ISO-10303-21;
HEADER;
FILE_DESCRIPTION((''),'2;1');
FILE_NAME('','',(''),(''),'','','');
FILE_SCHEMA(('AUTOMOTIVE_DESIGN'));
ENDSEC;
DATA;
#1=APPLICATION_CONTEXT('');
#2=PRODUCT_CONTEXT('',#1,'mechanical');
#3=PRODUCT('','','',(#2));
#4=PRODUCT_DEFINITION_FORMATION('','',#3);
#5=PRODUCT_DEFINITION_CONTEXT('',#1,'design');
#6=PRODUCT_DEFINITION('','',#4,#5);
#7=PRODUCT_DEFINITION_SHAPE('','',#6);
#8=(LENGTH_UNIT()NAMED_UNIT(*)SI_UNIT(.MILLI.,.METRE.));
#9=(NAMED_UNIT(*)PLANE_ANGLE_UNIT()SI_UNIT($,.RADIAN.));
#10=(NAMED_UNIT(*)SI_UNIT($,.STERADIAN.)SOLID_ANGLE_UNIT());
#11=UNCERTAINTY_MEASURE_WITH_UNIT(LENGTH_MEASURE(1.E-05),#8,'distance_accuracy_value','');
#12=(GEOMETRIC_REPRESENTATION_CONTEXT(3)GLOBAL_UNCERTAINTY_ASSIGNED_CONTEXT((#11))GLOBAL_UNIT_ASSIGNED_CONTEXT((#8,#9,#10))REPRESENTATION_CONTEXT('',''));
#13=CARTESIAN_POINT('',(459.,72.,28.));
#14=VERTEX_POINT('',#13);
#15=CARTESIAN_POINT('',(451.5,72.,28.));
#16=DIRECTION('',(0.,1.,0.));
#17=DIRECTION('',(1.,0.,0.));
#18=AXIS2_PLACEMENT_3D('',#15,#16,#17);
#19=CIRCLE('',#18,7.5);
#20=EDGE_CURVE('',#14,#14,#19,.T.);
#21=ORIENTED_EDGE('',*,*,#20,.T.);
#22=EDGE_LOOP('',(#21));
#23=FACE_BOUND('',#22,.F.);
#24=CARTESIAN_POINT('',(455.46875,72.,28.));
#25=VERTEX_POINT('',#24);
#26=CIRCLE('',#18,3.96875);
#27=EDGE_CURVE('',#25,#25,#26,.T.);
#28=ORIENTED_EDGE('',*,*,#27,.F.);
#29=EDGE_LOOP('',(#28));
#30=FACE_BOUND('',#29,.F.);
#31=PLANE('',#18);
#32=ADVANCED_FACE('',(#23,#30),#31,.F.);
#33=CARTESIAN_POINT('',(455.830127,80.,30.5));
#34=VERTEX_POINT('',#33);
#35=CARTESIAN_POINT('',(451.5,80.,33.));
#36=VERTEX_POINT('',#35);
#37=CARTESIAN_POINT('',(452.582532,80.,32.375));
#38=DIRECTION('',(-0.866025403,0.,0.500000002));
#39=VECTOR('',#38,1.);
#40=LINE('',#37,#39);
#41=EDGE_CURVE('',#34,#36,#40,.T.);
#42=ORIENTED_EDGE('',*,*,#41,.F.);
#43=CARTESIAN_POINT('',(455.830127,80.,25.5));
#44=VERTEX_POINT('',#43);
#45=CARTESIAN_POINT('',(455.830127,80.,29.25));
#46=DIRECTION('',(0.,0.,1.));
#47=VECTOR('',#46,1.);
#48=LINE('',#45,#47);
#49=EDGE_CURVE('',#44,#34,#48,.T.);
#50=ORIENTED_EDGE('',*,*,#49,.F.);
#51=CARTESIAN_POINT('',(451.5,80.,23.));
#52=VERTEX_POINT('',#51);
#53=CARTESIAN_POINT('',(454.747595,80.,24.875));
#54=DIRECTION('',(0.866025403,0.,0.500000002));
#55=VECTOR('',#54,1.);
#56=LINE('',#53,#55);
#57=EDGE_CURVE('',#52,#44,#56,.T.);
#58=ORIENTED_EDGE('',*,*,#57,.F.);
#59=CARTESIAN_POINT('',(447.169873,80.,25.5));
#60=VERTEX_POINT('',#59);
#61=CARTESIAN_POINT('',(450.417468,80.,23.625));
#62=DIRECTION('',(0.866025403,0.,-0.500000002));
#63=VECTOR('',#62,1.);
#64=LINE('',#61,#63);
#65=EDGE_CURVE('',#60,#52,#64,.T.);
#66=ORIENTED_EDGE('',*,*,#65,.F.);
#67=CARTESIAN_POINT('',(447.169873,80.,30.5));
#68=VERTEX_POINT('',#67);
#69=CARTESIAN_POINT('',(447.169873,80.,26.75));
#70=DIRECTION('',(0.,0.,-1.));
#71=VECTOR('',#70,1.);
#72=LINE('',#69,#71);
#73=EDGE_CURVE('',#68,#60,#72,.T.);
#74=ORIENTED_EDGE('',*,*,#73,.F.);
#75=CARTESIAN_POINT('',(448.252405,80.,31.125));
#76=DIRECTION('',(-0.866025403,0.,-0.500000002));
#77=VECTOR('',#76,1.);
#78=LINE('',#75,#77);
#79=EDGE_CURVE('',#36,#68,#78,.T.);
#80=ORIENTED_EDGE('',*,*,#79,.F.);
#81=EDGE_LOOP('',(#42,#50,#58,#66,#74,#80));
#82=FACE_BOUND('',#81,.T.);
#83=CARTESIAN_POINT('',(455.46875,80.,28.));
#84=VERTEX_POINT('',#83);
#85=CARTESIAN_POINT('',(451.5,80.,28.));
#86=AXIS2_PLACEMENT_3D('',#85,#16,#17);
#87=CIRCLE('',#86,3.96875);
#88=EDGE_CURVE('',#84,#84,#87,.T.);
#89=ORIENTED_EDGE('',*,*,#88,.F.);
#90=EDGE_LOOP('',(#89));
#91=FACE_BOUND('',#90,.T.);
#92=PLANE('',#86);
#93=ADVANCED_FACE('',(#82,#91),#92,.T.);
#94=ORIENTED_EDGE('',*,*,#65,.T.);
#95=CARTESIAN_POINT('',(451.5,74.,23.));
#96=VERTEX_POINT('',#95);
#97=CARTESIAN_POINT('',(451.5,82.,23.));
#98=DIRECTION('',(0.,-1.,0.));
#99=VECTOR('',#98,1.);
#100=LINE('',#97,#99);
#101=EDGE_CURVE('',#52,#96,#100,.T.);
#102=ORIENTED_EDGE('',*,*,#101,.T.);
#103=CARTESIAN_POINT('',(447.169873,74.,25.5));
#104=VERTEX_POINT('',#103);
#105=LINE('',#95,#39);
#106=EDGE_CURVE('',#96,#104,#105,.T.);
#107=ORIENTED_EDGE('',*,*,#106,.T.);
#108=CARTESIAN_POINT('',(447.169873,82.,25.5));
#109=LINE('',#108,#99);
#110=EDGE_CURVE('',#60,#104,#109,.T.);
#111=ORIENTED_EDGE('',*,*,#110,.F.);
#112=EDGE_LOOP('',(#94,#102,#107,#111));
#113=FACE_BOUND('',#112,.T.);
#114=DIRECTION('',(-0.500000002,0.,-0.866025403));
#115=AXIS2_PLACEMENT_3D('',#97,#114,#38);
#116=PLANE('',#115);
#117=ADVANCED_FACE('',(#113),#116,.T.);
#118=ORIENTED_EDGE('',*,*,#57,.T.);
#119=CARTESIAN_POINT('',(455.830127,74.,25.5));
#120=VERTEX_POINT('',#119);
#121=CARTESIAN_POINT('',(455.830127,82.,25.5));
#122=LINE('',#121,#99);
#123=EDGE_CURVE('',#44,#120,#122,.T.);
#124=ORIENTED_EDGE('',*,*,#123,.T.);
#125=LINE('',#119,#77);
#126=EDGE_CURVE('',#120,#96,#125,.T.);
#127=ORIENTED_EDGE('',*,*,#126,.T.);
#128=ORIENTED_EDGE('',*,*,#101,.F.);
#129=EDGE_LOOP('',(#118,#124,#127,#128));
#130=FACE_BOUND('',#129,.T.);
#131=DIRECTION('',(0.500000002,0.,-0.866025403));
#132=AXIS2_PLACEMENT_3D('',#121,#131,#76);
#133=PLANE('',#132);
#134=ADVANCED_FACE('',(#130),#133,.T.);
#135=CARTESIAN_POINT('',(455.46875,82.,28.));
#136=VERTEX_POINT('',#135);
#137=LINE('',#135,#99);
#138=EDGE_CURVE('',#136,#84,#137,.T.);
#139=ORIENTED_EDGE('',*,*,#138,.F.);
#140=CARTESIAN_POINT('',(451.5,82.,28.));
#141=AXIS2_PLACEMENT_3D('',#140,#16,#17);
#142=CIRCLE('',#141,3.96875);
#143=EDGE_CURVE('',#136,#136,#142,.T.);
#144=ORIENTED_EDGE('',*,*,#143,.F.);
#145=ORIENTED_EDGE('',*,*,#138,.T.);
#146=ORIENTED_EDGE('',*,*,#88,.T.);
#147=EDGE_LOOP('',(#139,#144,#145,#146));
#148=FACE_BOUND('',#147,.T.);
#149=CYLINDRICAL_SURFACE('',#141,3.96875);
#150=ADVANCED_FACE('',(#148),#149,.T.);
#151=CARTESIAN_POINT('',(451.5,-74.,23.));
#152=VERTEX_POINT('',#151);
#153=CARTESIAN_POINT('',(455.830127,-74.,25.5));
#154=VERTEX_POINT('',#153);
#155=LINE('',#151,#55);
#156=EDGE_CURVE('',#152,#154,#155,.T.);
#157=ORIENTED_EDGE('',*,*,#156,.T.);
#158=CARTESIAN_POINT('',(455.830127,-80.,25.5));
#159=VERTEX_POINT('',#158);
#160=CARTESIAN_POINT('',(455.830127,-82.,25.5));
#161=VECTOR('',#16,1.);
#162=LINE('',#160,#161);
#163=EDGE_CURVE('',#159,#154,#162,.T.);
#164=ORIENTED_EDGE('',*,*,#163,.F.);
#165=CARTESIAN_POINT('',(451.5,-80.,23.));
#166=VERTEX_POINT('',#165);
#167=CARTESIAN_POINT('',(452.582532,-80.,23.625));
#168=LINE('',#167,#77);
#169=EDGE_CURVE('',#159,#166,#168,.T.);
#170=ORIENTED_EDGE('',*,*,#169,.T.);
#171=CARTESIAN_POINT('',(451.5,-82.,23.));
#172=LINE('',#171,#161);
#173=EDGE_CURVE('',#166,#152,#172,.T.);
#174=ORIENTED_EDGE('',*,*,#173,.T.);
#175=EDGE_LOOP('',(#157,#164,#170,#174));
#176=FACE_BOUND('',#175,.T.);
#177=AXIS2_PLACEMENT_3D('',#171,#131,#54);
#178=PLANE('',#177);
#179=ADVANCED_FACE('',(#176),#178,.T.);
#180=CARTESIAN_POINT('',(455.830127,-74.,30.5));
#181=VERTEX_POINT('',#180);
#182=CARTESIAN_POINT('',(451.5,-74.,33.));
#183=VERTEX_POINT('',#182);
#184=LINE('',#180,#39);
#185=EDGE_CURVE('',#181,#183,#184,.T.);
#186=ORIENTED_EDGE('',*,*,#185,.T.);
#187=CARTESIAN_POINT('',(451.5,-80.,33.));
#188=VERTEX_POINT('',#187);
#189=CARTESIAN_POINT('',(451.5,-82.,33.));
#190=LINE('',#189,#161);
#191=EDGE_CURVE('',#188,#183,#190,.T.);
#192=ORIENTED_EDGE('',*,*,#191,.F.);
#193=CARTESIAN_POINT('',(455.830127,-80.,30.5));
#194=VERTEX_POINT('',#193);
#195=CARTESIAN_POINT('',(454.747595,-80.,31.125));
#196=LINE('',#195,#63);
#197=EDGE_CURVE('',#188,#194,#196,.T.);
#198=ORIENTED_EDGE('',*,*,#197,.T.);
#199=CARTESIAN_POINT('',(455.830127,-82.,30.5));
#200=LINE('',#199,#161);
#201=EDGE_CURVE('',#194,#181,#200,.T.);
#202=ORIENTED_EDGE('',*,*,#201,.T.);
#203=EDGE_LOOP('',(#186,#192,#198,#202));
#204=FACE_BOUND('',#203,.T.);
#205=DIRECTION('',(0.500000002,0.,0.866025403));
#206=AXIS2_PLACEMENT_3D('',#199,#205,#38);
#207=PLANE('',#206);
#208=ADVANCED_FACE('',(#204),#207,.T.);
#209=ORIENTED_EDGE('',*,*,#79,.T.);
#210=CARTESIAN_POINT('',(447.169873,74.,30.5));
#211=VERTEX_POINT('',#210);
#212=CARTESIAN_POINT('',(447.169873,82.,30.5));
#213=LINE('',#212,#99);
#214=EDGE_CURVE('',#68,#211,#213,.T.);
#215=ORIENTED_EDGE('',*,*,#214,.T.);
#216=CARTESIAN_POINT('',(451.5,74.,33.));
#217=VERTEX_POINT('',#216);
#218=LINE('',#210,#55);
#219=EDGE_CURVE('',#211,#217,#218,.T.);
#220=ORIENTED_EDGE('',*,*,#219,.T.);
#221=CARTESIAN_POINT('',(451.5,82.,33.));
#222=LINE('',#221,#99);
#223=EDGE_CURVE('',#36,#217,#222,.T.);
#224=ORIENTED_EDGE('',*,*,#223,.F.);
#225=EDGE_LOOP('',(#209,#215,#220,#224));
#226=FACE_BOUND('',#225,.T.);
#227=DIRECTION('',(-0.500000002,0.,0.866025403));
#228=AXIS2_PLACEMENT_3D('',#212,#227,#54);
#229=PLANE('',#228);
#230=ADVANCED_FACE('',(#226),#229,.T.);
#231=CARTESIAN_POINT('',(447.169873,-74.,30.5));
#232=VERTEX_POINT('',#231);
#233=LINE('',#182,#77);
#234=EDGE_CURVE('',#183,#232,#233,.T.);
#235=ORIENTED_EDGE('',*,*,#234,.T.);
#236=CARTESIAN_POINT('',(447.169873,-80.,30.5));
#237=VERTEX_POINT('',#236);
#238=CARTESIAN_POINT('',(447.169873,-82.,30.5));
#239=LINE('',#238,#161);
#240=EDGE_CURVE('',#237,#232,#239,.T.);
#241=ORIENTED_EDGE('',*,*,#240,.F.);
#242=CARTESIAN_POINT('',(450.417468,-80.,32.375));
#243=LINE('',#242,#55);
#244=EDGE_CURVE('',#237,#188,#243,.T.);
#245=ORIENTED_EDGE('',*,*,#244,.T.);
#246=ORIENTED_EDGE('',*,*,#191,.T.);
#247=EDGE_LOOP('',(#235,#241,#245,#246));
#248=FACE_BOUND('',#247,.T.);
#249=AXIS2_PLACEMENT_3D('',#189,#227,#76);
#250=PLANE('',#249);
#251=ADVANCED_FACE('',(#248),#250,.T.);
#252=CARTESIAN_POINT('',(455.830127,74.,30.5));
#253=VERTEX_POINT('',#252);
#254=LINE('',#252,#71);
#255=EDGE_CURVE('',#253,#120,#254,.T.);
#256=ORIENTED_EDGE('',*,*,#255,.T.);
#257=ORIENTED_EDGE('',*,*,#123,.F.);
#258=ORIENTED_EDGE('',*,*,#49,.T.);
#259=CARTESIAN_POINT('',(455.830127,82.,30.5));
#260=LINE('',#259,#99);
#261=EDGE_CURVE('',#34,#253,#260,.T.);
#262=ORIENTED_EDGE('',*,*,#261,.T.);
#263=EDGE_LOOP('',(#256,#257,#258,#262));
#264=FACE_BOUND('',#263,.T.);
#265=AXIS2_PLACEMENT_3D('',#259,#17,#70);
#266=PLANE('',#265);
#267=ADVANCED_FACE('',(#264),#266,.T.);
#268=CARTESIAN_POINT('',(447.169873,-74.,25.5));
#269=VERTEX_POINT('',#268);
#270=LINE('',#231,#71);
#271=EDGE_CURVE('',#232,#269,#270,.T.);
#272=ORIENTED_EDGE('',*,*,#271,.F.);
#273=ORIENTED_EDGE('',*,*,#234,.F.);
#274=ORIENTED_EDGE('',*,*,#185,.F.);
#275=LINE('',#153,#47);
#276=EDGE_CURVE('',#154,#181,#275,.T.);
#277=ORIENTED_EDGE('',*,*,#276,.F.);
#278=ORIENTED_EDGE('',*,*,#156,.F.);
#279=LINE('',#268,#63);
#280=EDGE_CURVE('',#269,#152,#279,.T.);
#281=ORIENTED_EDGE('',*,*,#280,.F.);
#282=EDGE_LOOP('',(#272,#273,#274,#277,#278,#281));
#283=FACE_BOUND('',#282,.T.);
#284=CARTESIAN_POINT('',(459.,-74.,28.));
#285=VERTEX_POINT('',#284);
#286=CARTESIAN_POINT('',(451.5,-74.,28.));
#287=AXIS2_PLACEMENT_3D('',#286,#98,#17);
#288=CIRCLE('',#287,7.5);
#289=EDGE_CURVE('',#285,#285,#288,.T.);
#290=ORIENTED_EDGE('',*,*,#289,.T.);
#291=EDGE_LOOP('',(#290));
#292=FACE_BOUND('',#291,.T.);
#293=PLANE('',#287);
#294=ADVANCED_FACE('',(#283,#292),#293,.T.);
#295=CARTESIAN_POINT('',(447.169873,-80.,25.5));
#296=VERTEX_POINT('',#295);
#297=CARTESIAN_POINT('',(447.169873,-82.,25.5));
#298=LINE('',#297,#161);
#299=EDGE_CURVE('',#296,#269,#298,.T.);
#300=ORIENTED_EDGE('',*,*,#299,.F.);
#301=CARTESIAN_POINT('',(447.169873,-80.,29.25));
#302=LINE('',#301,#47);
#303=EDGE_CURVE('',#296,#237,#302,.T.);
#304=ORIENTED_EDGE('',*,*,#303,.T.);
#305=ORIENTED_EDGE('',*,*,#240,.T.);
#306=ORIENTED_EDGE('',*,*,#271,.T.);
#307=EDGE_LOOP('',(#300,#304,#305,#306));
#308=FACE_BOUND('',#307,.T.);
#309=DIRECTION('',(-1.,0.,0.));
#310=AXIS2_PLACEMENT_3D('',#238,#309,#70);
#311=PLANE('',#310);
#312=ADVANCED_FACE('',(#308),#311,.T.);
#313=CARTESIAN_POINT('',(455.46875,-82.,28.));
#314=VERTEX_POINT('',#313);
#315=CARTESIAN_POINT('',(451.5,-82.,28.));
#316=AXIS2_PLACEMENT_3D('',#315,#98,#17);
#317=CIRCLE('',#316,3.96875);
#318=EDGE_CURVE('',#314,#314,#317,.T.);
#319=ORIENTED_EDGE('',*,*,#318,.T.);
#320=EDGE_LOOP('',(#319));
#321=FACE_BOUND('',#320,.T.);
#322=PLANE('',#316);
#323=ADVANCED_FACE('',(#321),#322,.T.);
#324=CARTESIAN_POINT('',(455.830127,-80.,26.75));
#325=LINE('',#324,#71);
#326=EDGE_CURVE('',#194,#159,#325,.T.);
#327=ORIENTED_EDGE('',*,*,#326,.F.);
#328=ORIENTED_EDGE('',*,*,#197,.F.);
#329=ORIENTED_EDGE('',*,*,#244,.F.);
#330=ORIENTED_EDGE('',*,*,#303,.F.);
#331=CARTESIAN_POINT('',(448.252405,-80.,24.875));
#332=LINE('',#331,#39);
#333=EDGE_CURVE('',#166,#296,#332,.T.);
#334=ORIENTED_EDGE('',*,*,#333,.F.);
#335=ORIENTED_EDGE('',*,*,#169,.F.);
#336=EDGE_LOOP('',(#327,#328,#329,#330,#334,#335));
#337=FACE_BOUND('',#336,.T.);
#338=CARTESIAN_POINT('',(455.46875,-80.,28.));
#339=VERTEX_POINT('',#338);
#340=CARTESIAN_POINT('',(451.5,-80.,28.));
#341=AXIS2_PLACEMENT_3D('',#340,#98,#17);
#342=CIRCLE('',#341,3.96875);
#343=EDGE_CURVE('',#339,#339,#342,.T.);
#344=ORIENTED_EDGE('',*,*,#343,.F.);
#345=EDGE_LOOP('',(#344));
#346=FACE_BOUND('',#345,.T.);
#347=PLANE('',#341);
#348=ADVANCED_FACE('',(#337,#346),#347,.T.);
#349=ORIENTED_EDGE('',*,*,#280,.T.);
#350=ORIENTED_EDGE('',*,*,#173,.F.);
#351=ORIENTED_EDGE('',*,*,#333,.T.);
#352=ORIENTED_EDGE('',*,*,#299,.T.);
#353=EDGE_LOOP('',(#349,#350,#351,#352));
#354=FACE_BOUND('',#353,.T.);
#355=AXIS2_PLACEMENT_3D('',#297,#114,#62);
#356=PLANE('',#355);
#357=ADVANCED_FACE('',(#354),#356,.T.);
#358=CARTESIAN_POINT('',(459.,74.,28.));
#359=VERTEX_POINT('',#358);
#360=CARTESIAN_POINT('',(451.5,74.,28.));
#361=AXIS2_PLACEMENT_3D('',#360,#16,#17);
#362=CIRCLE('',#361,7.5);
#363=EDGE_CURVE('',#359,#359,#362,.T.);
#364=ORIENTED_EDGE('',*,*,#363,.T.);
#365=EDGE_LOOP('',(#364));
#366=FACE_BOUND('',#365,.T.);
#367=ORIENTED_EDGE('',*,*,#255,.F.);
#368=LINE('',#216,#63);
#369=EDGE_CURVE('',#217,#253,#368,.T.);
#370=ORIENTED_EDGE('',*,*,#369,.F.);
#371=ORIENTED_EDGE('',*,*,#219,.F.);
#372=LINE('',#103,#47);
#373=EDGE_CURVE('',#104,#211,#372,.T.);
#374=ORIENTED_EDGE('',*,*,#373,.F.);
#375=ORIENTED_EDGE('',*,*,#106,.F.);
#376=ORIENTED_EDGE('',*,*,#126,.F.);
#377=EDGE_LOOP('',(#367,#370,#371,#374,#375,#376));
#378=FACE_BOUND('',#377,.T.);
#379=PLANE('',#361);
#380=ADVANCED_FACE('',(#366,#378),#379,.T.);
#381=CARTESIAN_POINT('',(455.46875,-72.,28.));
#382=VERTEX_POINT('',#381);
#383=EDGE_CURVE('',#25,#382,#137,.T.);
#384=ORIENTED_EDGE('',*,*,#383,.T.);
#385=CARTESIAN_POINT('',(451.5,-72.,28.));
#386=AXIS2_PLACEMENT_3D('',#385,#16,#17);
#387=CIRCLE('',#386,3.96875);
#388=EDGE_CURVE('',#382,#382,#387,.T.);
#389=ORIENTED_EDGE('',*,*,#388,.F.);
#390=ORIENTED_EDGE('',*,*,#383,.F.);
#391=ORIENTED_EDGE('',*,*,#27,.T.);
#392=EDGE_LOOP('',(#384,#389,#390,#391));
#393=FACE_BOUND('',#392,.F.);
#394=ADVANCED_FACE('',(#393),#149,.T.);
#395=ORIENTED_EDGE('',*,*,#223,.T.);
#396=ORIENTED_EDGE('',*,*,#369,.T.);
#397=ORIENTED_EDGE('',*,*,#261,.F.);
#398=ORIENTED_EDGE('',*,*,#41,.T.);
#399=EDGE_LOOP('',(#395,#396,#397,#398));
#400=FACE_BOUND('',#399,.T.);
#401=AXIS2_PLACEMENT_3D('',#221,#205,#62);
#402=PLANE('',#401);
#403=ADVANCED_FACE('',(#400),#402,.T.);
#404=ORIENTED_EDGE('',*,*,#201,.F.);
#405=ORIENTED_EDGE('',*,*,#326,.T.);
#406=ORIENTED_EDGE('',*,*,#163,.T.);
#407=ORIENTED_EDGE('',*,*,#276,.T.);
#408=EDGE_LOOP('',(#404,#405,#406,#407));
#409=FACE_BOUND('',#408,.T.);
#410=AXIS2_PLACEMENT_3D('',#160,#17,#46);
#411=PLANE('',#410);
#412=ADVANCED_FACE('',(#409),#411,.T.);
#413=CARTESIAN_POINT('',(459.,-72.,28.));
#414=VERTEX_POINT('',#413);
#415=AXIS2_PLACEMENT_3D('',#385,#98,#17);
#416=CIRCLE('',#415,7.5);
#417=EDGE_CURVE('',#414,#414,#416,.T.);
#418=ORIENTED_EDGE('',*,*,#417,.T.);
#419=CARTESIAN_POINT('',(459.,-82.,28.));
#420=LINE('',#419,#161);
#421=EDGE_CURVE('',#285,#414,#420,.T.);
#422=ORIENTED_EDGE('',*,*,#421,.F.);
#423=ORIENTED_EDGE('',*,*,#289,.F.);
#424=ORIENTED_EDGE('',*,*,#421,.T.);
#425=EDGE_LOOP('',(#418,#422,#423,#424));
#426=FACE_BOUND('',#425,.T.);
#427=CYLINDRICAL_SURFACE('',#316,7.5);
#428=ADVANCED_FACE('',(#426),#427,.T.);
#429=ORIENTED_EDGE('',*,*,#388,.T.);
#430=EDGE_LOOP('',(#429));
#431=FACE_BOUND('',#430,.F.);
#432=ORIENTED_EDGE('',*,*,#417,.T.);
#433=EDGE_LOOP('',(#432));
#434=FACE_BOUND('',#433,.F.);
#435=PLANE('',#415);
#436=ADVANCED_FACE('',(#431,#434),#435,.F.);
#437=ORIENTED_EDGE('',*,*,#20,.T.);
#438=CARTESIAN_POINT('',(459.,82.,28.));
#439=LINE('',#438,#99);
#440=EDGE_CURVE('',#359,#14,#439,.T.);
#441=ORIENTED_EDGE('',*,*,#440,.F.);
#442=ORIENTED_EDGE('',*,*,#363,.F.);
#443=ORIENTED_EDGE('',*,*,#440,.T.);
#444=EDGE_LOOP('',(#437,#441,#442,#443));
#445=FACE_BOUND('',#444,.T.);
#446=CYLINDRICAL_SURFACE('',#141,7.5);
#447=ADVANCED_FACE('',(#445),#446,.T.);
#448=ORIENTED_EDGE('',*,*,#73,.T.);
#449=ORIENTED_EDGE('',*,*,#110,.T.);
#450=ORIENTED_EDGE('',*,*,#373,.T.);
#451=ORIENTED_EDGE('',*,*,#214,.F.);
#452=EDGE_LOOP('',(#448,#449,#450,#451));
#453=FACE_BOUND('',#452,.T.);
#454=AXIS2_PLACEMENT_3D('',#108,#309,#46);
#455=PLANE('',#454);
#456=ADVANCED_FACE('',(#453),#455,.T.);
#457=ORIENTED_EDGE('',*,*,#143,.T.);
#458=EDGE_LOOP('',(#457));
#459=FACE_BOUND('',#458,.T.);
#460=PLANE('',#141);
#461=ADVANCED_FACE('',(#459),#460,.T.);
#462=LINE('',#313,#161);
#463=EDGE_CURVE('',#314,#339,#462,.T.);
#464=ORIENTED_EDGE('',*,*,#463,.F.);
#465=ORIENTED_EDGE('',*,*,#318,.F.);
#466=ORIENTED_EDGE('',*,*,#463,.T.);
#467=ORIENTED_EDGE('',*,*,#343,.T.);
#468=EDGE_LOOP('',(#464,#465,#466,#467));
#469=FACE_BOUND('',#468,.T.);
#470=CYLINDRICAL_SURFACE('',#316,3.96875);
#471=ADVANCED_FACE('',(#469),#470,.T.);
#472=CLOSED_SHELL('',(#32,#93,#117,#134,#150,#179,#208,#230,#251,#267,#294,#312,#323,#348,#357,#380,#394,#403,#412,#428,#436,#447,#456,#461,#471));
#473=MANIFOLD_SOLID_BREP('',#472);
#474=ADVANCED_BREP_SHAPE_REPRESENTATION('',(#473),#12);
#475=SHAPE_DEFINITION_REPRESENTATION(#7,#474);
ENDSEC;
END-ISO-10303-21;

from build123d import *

# Parameters (mm, degrees)
SKETCH013_R     = 3.96875
PAD009_DEPTH    = 164
SKETCH014_R     = 7.5
PAD010_DEPTH    = 10
SKETCH015_R     = 7.5
POCKET003_DEPTH = 8
SKETCH016_R     = 7.5
SKETCH016_R_2   = 3.96875
POCKET004_DEPTH = 2
SKETCH017_R     = 7.5
PAD011_DEPTH    = 10
SKETCH018_R     = 7.5
POCKET005_DEPTH = 8
SKETCH019_R     = 7.5
SKETCH019_R_2   = 3.96875
POCKET006_DEPTH = 2


with BuildPart() as part:
    # Sketch013 → Pad009 (new body)
    with BuildSketch(Plane(origin=(500, 82, 56), x_dir=(1, 0, 0), z_dir=(0, -1, 0))):
        Circle(SKETCH013_R)
    extrude(amount=PAD009_DEPTH)

    # Sketch014 → Pad010 (new body)
    with BuildSketch(Plane(origin=(500, 82, 56), x_dir=(1, 0, 0), z_dir=(0, 1, 0))):
        Circle(SKETCH014_R)
    extrude(amount=-PAD010_DEPTH)

    # Sketch015 → Pocket003 (cut)
    with BuildSketch(Plane(origin=(500, 82, 56), x_dir=(1, 0, 0), z_dir=(0, 1, 0))):
        Circle(SKETCH015_R)
        Polygon((0, 5), (-4.330127, 2.5), (-4.330127, -2.5), (0, -5), (4.330127, -2.5), (4.330127, 2.5), align=None, mode=Mode.SUBTRACT)
    extrude(amount=-POCKET003_DEPTH, mode=Mode.SUBTRACT)

    # Sketch016 → Pocket004 (cut)
    with BuildSketch(Plane(origin=(500, 82, 56), x_dir=(1, 0, 0), z_dir=(0, 1, 0))):
        Circle(SKETCH016_R)
        Circle(SKETCH016_R_2, mode=Mode.SUBTRACT)
    extrude(amount=-POCKET004_DEPTH, mode=Mode.SUBTRACT)

    # Sketch017 → Pad011 (new body)
    with BuildSketch(Plane(origin=(500, -82, 56), x_dir=(1, 0, 0), z_dir=(0, -1, 0))):
        Circle(SKETCH017_R)
    extrude(amount=-PAD011_DEPTH)

    # Sketch018 → Pocket005 (cut)
    with BuildSketch(Plane(origin=(500, -82, 56), x_dir=(1, 0, 0), z_dir=(0, -1, 0))):
        Circle(SKETCH018_R)
        Polygon((0, 5), (-4.330127, 2.5), (-4.330127, -2.5), (0, -5), (4.330127, -2.5), (4.330127, 2.5), align=None, mode=Mode.SUBTRACT)
    extrude(amount=-POCKET005_DEPTH, mode=Mode.SUBTRACT)

    # Sketch019 → Pocket006 (cut)
    with BuildSketch(Plane(origin=(500, -82, 56), x_dir=(1, 0, 0), z_dir=(0, -1, 0))):
        Circle(SKETCH019_R)
        Circle(SKETCH019_R_2, mode=Mode.SUBTRACT)
    extrude(amount=-POCKET006_DEPTH, mode=Mode.SUBTRACT)


with BuildPart() as part_1:
    # Clone012 placement: moved
    add(part.part.moved(Location((-48.5, 0, -28))))


solid = part_1.part
